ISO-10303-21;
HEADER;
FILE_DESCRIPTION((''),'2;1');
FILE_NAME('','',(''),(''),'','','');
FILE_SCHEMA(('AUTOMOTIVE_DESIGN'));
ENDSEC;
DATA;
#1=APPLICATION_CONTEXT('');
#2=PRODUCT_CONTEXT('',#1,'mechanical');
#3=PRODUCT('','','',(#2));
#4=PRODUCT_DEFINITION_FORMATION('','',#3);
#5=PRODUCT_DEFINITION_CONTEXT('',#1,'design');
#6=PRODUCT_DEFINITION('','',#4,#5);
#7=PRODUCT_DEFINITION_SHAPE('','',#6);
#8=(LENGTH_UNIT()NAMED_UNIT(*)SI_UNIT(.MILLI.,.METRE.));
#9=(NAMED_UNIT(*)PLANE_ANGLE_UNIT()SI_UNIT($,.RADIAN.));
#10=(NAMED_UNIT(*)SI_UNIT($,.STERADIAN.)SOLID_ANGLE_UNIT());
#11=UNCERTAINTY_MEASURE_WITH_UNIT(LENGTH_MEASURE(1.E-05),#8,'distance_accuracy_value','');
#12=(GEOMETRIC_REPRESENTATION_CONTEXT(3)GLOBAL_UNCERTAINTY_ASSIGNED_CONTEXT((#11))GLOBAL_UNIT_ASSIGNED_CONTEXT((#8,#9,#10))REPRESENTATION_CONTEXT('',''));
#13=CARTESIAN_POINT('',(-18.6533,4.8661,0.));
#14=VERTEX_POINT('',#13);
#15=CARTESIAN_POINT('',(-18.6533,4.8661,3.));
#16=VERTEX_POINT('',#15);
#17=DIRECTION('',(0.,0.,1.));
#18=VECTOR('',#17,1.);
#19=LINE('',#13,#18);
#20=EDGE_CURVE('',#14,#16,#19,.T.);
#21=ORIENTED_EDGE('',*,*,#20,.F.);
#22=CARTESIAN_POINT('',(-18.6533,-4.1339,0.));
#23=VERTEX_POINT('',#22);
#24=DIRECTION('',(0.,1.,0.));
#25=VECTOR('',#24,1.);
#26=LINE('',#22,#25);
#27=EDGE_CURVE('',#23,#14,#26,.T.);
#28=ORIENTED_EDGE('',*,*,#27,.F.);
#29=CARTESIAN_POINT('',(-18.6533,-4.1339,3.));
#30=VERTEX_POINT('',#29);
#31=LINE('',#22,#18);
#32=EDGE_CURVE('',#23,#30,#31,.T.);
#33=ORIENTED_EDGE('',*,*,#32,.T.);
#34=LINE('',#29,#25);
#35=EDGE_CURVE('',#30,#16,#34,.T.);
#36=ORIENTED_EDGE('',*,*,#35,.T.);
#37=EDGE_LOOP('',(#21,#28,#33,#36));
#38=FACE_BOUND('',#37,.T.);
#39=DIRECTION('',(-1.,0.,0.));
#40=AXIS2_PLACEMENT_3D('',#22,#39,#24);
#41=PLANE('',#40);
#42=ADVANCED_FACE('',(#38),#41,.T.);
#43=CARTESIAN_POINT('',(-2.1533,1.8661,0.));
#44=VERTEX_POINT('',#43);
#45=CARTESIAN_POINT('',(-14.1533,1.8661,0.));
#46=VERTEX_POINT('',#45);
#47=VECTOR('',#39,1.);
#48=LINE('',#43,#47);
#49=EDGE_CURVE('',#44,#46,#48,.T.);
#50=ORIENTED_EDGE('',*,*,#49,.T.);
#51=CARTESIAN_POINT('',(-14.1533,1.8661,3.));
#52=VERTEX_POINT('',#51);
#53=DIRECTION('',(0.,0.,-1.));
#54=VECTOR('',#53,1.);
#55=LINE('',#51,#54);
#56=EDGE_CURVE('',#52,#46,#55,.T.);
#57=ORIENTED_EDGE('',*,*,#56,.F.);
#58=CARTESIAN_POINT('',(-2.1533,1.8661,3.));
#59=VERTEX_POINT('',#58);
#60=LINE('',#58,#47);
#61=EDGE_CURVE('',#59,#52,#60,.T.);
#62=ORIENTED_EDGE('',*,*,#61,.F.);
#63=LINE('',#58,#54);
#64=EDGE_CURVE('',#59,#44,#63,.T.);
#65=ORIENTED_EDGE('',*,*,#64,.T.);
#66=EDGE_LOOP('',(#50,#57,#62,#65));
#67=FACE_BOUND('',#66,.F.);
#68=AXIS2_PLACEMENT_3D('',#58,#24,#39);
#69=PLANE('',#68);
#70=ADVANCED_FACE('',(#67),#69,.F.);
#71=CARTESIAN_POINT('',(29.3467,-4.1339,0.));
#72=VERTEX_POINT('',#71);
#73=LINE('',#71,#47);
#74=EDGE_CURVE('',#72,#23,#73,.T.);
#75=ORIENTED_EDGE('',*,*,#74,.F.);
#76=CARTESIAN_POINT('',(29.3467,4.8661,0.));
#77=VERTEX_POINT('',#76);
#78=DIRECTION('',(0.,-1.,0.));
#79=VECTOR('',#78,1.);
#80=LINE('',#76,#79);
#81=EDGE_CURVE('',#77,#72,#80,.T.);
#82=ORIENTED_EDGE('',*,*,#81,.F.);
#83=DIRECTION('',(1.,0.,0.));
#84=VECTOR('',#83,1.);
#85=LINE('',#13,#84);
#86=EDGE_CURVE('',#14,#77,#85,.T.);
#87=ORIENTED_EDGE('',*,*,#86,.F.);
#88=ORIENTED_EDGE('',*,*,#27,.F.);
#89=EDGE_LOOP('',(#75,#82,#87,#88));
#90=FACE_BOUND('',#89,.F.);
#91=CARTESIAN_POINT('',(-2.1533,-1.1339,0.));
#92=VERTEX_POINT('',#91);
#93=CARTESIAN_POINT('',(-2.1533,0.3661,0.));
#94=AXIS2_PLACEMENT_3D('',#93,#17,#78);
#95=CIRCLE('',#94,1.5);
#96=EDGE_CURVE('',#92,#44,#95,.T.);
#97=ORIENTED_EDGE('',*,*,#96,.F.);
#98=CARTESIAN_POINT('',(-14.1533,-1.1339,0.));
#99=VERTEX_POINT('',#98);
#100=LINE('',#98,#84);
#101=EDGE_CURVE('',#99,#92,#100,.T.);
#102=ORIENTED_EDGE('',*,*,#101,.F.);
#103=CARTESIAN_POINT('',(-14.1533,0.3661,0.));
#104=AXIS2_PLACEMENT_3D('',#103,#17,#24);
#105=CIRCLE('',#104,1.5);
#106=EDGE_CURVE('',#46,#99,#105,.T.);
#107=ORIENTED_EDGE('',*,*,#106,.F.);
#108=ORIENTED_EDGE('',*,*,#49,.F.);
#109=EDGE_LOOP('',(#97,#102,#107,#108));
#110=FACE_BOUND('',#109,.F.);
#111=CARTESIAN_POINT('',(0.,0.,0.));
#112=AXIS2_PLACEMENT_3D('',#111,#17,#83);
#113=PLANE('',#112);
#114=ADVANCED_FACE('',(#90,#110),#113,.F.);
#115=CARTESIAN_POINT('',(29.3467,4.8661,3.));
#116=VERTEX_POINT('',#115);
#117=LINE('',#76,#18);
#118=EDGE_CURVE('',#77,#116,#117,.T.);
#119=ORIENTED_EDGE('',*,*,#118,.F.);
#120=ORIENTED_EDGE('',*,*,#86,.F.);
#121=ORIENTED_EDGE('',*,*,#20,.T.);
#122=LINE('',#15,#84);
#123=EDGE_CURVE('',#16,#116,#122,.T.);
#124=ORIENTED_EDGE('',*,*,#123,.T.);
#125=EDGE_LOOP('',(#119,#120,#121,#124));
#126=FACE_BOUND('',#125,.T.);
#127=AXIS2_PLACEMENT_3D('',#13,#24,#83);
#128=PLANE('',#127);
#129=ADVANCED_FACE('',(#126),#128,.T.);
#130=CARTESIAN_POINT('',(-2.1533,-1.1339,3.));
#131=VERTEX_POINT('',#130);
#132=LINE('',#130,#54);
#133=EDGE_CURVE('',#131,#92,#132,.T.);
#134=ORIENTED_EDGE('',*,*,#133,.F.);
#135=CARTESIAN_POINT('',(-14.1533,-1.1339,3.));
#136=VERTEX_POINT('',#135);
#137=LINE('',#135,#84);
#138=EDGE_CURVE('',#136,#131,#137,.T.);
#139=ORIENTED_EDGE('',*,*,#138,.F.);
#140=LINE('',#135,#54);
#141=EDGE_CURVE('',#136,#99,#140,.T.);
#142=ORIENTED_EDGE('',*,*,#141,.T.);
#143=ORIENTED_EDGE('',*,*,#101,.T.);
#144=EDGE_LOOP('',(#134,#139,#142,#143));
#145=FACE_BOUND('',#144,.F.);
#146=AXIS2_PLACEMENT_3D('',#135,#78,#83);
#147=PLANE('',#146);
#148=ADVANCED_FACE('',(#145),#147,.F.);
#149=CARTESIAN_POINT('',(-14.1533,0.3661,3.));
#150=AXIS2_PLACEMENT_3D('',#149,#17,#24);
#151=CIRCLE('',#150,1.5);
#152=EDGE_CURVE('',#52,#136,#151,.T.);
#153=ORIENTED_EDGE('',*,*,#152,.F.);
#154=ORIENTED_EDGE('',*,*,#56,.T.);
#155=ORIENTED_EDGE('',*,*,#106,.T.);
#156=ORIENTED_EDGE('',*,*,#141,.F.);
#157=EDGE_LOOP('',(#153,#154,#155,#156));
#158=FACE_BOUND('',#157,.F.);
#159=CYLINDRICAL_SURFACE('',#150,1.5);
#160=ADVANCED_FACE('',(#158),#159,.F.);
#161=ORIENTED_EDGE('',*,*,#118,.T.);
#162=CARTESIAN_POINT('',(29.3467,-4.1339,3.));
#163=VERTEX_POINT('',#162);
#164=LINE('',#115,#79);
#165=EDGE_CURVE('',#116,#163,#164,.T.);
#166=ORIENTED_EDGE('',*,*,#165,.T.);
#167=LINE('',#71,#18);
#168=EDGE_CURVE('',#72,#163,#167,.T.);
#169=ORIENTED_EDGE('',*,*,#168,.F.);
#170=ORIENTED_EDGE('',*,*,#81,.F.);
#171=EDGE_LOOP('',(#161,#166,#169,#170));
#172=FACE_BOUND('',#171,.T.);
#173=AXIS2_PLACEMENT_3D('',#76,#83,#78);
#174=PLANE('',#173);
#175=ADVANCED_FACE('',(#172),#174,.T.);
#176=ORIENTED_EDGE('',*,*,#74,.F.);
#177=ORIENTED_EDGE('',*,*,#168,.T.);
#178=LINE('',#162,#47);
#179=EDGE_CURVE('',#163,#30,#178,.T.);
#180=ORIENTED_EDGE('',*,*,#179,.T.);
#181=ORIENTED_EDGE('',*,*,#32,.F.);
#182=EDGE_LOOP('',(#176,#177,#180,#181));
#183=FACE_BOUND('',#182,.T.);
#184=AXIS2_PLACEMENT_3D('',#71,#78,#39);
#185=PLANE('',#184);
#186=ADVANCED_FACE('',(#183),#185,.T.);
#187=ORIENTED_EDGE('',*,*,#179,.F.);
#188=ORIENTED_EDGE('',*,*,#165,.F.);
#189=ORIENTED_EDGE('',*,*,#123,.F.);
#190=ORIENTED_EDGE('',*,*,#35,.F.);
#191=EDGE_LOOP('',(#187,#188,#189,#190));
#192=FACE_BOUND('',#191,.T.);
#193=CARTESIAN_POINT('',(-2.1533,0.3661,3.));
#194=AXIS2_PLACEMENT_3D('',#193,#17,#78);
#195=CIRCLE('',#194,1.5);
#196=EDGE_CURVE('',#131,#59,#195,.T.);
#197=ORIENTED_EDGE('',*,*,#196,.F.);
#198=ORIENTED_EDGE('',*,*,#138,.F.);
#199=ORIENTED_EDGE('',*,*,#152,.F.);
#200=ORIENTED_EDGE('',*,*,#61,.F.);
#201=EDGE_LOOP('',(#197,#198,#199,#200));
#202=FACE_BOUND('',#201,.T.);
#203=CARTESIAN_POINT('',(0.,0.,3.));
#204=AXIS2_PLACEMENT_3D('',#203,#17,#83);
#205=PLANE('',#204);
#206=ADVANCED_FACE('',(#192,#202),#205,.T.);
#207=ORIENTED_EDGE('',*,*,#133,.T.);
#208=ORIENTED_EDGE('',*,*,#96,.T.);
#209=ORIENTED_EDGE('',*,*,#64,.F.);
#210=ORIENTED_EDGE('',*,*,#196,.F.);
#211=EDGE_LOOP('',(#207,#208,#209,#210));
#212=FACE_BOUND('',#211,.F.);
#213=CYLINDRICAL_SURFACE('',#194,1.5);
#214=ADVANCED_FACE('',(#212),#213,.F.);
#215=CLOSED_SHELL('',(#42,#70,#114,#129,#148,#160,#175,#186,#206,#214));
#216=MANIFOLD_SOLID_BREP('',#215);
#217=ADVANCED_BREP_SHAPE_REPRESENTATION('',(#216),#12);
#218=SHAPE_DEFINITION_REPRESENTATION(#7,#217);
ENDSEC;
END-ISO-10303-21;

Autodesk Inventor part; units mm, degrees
ref_plane "YZ Plane" through (0, 0, 0) normal (1, 0, 0) x (0, 1, 0)
ref_plane "XZ Plane" through (0, 0, 0) normal (0, 1, 0) x (-1, 0, 0)
ref_plane "XY Plane" through (0, 0, 0) normal (0, 0, 1) x (1, 0, 0)
sketch "スケッチ1" plane through (0, 0, 0) normal (0, 0, 1) x (1, 0, 0)
  line L0 (-18.6533, 4.8661) -> (29.3467, 4.8661)
  line L1 (29.3467, 4.8661) -> (29.3467, -4.1339)
  line L2 (29.3467, -4.1339) -> (-18.6533, -4.1339)
  line L3 (-18.6533, -4.1339) -> (-18.6533, 4.8661)
  point P0 (0, 0)
  dimension "d0" = 48
  dimension "d1" = 9
extrude "押し出し1" add sketch "スケッチ1" along normal blind 3
sketch "スケッチ2" plane through (0, 0, 3) normal (0, 0, 1) x (1, 0, 0)
  line L0 (-14.1533, 0.3661) -> (-2.1533, 0.3661) construction
  line L1 (-14.1533, -1.1339) -> (-2.1533, -1.1339)
  line L2 (-2.1533, 1.8661) -> (-14.1533, 1.8661)
  arc A0 (-14.1533, 1.8661) -> (-14.1533, -1.1339) centre (-14.1533, 0.3661) ccw
  arc A1 (-2.1533, -1.1339) -> (-2.1533, 1.8661) centre (-2.1533, 0.3661) ccw
  line L3 (-18.6533, 4.8661) -> (-18.6533, -4.1339) projected
  line L4 (29.3467, 4.8661) -> (-18.6533, 4.8661) projected
  point P0 (0, 0)
  point P1 (-8.1533, 0.3661)
  dimension "d4" = 12
  dimension "d5" = 3
  dimension "d6" = 4.5
  dimension "d7" = 4.5
extrude "押し出し2" cut sketch "スケッチ2" against normal blind 3
equation "\"BendRadius\" = Thickness"
equation "\"BendReliefWidth\" = Thickness"
equation "\"BendReliefDepth\" = 0.5 * Thickness"
equation "\"CornerReliefSize\" = 4 * Thickness"
equation "\"MinimumRemnant\" = 2 * Thickness"
equation "\"TransitionRadius\" = BendRadius"
equation "\"JacobiRadiusSize\" = BendRadius"
equation "\"GapSize\" = Thickness"
equation "\"Thickness\" = 0.5"
properties part number "creat2"
